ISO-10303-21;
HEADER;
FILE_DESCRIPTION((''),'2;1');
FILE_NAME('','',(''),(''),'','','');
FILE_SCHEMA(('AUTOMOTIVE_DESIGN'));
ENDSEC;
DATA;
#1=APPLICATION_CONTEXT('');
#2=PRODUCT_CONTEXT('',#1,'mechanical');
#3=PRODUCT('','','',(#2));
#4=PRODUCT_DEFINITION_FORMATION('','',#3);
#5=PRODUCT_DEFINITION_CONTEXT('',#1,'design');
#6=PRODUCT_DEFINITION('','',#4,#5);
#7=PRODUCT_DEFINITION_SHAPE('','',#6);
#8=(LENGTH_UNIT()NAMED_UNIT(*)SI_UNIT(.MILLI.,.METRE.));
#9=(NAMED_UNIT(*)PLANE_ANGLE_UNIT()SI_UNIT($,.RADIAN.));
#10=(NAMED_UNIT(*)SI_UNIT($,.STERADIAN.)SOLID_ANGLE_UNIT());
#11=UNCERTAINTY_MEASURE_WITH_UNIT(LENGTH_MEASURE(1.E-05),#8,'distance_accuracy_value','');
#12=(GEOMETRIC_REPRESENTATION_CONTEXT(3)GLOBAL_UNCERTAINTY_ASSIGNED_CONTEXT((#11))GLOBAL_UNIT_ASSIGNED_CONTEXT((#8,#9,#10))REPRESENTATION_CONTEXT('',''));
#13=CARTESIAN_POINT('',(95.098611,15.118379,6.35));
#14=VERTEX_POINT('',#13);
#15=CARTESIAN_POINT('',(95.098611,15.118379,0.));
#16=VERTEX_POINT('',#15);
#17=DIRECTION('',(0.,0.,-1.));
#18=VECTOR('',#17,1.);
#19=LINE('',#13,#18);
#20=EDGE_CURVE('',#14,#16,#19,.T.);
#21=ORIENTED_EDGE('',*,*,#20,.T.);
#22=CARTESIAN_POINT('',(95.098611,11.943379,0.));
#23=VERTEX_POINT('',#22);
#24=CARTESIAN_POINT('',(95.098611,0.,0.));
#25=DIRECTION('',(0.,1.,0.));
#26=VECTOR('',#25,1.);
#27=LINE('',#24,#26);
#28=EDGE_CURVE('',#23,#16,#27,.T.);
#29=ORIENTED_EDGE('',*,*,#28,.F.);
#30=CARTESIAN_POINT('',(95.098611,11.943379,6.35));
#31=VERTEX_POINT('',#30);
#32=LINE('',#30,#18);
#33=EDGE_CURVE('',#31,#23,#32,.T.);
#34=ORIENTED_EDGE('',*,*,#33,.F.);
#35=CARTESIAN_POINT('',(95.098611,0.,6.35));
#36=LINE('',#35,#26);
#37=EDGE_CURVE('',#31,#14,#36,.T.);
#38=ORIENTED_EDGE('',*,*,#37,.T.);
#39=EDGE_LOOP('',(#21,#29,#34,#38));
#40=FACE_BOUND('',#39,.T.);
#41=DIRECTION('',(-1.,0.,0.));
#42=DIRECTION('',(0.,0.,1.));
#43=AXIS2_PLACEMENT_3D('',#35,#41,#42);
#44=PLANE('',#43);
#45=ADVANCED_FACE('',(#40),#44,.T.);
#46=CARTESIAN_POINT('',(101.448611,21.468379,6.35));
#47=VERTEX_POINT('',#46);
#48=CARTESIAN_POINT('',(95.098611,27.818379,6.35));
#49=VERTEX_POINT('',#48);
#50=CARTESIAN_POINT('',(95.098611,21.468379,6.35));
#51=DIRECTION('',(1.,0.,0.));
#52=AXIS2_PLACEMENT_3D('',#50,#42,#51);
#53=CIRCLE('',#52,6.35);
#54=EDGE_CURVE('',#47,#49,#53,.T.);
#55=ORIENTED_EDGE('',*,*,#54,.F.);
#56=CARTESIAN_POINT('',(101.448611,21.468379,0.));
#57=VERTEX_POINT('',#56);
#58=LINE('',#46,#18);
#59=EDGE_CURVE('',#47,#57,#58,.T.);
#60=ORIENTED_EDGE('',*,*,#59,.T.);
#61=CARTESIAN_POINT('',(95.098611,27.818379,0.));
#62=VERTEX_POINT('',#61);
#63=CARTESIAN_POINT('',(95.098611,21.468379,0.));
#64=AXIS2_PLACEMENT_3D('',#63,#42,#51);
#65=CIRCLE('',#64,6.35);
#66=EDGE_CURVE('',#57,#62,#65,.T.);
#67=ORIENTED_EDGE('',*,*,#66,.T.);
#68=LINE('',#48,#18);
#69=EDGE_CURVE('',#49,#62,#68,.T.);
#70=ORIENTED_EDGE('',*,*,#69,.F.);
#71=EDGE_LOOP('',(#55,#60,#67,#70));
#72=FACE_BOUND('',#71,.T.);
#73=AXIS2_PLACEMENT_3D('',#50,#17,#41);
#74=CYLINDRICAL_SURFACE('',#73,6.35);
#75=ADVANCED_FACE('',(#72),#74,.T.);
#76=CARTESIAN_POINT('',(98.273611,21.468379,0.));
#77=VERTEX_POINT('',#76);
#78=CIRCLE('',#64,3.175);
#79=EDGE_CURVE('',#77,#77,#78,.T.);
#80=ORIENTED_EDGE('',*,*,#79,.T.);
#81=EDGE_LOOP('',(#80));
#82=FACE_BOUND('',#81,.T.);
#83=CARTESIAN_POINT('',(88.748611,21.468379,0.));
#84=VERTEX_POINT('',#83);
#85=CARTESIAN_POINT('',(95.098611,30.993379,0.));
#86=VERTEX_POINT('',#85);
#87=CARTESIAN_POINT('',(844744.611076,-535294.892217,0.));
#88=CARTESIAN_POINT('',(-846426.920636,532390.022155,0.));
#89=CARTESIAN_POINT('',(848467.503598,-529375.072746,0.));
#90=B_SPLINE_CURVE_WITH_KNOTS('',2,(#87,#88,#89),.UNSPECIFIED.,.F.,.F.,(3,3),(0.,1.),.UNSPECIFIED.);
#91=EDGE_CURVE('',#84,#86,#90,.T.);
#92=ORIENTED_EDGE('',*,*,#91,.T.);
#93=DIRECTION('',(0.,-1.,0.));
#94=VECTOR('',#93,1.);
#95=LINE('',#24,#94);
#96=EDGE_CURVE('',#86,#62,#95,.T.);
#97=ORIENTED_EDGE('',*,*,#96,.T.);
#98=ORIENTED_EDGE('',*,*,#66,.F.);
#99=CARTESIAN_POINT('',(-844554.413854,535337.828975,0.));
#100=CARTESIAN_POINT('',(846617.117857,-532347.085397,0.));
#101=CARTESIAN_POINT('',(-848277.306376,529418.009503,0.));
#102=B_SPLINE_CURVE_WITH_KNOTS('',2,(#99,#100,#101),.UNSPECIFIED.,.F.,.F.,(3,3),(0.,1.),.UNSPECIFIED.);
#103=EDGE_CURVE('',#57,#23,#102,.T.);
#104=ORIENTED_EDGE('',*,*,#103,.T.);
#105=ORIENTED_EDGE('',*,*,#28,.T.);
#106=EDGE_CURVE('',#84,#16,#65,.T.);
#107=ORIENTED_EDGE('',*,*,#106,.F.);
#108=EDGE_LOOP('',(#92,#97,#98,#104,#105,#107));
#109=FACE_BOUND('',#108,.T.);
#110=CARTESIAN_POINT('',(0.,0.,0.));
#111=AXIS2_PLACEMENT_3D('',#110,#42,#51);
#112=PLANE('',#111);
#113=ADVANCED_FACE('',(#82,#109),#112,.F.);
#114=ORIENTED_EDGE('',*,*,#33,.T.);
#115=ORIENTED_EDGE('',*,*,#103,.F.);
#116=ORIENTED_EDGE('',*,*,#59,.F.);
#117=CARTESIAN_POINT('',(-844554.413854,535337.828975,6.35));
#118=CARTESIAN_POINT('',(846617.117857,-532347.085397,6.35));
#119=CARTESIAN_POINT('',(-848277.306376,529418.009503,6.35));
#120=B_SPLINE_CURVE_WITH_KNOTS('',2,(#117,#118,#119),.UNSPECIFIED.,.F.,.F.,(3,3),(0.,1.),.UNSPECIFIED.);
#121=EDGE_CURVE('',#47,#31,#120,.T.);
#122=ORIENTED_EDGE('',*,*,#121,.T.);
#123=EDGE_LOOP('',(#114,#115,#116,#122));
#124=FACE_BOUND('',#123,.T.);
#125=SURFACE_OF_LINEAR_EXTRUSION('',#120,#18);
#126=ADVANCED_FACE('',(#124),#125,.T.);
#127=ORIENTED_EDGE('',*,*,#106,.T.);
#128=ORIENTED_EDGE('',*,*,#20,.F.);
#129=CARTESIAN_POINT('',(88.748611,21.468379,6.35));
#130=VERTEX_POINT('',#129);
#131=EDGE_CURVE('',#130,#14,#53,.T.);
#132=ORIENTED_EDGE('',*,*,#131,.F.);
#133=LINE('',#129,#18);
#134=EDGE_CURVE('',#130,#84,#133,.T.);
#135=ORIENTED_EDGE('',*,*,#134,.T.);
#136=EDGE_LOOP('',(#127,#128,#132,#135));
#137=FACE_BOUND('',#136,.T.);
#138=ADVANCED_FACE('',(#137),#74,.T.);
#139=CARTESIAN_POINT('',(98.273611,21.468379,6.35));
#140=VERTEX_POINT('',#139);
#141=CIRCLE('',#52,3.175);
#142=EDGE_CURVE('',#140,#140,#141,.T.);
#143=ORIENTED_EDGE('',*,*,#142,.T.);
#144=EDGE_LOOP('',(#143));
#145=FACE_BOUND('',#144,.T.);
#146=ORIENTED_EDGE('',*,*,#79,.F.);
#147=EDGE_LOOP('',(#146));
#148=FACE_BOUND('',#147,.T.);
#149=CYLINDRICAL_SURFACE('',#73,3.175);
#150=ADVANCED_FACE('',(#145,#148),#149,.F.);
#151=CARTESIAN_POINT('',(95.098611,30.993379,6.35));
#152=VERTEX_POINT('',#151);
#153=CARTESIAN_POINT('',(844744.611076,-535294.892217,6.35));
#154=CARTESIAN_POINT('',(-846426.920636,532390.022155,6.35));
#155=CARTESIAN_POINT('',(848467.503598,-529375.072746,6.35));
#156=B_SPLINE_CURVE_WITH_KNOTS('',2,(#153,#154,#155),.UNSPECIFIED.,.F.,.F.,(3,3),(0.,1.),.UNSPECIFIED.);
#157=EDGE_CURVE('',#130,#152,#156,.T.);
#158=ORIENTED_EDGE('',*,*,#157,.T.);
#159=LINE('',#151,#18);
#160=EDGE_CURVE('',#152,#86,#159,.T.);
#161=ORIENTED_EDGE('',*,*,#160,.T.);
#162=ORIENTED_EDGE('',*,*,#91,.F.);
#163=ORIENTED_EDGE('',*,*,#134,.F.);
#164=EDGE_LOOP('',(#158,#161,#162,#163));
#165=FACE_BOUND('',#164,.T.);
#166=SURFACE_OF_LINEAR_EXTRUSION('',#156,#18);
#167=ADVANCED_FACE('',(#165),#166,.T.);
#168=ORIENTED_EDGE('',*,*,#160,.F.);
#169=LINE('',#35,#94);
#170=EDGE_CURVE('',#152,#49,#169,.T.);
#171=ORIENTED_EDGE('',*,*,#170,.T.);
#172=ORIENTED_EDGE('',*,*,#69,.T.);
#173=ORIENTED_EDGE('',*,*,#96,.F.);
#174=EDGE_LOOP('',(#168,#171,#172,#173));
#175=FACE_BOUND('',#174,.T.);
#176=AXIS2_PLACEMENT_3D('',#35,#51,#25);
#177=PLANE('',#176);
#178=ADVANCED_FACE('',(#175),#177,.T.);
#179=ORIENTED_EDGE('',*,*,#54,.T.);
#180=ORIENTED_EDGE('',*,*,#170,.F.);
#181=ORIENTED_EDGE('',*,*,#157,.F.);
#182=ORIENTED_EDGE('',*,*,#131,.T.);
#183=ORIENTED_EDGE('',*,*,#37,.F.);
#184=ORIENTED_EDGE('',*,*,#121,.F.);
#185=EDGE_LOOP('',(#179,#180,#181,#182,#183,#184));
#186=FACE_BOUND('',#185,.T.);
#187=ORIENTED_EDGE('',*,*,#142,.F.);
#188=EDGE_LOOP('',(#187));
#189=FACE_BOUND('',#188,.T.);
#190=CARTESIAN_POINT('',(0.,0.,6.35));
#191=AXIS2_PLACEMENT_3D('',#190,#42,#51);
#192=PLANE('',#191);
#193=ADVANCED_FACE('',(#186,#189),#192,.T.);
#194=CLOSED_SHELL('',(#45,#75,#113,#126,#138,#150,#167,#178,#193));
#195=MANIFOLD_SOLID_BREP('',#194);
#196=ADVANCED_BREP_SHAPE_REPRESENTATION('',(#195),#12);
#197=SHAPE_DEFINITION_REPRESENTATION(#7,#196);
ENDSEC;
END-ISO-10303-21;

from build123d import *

# Parameters (mm, degrees)
SKETCH2_R           = 3.175
BOSS_EXTRUDE1_DEPTH = 6.35


with BuildPart() as part:
    # Sketch2 → Boss-Extrude1 (new body)
    with BuildSketch(Plane.XY):
        with BuildLine():
            add(Edge.make_bspline(
                [(88.748610912, 21.468378691), (87.390018144, 29.081992428), (95.098610912, 30.993378691)],
                knots=[0, 0, 0, 1, 1, 1], degree=2))
            Line((95.098610912, 30.993378691), (95.098610912, 27.818378691))
            ThreePointArc((95.098610912, 27.818378691), (99.588738973, 25.958506751), (101.448610912, 21.468378691))
            add(Edge.make_bspline(
                [(101.448610912, 21.468378691), (102.807203681, 13.854764953), (95.098610912, 11.943378691)],
                knots=[0, 0, 0, 1, 1, 1], degree=2))
            Line((95.098610912, 11.943378691), (95.098610912, 15.118378691))
            ThreePointArc((95.098610912, 15.118378691), (90.608482852, 16.97825063), (88.748610912, 21.468378691))
        make_face()
        with Locations((95.098610912, 21.468378691)):
            Circle(SKETCH2_R, mode=Mode.SUBTRACT)
    extrude(amount=BOSS_EXTRUDE1_DEPTH)


solid = part.part
